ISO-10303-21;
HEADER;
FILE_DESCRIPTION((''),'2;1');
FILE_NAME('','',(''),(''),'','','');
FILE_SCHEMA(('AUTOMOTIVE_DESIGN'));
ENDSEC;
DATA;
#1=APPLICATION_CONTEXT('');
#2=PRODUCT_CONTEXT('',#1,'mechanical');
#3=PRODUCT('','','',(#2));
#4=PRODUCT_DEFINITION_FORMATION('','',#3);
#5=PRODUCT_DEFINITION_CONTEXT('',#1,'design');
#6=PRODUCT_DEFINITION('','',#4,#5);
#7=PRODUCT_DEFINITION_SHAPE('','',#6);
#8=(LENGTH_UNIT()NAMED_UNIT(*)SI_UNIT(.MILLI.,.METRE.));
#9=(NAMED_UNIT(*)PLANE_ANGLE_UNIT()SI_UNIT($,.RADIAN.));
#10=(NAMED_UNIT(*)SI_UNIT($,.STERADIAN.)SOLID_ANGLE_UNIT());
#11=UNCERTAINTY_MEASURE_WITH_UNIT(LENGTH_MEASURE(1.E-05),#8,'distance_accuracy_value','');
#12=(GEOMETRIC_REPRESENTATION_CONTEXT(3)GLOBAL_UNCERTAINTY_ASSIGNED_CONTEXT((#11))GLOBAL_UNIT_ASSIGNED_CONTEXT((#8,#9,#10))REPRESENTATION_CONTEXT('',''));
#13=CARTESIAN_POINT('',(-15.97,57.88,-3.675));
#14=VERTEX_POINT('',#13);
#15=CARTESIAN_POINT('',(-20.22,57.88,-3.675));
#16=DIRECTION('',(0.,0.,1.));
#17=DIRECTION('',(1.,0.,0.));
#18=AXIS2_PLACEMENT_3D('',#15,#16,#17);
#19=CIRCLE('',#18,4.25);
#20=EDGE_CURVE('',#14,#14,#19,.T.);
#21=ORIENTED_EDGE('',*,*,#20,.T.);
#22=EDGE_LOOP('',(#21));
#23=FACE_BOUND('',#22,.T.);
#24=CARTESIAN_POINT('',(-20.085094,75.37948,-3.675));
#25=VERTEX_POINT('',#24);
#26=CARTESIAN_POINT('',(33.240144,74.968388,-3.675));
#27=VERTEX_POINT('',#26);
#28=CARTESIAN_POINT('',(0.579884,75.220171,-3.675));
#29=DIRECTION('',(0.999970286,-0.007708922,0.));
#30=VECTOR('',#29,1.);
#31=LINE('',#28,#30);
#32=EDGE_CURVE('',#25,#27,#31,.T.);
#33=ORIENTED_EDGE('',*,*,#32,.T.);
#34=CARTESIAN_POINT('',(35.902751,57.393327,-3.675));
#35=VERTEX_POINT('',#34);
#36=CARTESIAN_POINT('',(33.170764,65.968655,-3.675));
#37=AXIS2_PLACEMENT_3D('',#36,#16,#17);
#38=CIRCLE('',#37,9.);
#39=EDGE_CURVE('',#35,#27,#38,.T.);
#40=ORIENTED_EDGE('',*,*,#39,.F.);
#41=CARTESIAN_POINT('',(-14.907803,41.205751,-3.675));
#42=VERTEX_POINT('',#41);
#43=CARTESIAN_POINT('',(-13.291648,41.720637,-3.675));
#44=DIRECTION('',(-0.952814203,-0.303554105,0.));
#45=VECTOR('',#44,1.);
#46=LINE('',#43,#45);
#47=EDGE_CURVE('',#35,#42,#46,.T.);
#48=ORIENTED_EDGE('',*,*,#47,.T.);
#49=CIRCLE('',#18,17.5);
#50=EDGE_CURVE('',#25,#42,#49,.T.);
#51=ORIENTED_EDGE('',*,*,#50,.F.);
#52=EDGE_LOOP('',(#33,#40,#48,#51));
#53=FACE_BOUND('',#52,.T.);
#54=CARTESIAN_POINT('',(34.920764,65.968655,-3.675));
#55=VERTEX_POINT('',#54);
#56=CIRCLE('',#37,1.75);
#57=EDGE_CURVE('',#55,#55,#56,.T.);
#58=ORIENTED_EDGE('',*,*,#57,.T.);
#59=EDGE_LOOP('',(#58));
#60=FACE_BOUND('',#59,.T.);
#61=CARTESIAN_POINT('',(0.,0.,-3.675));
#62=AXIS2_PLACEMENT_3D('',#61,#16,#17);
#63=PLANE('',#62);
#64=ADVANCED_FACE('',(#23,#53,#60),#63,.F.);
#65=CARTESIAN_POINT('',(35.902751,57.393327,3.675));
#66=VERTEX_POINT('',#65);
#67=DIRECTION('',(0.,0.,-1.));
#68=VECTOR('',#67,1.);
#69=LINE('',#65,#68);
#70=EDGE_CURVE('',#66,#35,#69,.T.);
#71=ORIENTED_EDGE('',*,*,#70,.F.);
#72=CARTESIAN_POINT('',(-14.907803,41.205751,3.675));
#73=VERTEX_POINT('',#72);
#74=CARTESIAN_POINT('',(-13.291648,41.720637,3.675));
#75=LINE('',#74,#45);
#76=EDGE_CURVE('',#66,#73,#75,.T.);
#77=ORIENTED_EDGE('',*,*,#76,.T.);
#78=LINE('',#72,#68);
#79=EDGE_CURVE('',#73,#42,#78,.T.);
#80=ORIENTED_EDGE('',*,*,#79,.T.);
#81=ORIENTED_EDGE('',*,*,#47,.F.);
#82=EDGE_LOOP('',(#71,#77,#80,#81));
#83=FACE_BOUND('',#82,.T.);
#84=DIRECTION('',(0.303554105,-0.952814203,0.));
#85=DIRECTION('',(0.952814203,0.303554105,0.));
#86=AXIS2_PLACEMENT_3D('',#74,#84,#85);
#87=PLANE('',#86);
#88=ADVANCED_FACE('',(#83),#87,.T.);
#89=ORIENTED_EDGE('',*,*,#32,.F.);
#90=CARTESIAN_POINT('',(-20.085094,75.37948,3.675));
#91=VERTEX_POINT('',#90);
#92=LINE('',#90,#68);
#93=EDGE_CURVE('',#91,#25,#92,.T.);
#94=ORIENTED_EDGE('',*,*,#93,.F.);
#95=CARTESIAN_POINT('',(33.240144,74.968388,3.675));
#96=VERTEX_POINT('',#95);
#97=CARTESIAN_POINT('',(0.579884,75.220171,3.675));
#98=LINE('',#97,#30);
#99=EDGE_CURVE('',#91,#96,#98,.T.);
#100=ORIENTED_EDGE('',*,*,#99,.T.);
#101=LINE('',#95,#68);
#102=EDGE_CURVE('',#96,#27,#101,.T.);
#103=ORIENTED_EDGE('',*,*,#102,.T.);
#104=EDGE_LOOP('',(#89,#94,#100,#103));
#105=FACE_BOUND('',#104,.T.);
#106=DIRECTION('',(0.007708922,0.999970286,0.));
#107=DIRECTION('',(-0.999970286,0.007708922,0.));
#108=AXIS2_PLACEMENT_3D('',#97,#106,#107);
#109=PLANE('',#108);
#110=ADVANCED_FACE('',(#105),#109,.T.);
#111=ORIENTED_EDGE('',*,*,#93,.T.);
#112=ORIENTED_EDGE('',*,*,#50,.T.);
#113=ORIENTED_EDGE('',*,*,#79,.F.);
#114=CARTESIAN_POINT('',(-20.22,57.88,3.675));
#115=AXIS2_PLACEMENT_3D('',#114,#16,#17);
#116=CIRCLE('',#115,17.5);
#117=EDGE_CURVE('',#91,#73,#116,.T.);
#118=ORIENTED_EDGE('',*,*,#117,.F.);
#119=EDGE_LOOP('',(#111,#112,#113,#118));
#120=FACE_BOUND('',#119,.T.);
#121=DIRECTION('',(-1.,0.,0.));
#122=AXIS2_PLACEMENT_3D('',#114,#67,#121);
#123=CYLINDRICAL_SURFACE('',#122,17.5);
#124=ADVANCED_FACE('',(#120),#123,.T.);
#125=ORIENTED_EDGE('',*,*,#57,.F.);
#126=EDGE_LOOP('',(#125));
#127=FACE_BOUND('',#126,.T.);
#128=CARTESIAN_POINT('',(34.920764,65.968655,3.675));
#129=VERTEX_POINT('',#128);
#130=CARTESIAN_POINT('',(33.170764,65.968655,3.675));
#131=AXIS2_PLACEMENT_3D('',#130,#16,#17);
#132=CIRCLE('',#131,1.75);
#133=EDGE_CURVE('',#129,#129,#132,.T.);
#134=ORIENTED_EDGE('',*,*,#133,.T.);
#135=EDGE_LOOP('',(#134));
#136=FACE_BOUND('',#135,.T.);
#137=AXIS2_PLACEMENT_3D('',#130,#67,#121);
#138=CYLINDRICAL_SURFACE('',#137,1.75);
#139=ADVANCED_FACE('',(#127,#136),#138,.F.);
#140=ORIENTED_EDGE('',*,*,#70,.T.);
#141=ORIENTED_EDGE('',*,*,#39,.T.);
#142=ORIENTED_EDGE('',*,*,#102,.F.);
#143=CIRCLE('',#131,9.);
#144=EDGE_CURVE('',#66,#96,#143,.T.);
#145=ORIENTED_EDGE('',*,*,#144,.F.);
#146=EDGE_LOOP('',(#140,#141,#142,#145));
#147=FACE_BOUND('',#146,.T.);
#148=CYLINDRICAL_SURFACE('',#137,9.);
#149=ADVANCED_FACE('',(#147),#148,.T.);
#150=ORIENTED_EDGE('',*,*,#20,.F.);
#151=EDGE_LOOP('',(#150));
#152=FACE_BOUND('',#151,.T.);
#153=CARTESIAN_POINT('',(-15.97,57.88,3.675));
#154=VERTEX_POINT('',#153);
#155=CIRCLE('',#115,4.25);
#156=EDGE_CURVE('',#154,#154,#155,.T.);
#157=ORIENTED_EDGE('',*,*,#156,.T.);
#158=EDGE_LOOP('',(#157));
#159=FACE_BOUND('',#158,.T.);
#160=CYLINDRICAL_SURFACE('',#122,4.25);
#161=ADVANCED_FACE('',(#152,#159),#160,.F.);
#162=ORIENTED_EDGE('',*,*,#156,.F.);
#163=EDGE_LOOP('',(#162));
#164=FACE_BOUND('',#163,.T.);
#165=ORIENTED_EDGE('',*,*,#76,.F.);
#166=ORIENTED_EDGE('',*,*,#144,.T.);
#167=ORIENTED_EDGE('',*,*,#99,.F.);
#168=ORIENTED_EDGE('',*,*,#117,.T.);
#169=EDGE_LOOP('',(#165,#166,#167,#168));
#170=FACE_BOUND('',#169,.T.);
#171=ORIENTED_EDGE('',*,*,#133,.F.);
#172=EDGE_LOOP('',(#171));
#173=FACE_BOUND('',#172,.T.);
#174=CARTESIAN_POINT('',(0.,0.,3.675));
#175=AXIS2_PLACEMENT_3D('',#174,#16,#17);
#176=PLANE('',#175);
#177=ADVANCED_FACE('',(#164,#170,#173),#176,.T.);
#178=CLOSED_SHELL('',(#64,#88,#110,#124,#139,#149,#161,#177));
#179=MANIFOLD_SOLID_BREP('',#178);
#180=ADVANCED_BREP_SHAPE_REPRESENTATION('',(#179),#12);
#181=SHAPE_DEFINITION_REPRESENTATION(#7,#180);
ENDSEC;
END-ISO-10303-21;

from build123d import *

# Parameters (mm, degrees)
SKETCH3_R           = 4.25
SKETCH3_R_2         = 1.75
BOSS_EXTRUDE4_DEPTH = 3.675


with BuildPart() as part:
    # Sketch3 → Boss-Extrude4 (new, symmetric)
    with BuildSketch(Plane.XY):
        with BuildLine():
            ThreePointArc((-20.085093872, 75.379480002), (-37.522562339, 55.258676576), (-14.907803169, 41.205751446))
            Line((-14.907803169, 41.205751446), (35.902750732, 57.393327309))
            ThreePointArc((35.902750732, 57.393327309), (42.069224422, 67.316764326), (33.240144084, 74.968387709))
            Line((33.240144084, 74.968387709), (-20.085093872, 75.379480002))
        make_face()
        with Locations((-20.22, 57.88)):
            Circle(SKETCH3_R, mode=Mode.SUBTRACT)
        with Locations((33.17076379, 65.968655136)):
            Circle(SKETCH3_R_2, mode=Mode.SUBTRACT)
    extrude(amount=BOSS_EXTRUDE4_DEPTH, both=True)


solid = part.part
